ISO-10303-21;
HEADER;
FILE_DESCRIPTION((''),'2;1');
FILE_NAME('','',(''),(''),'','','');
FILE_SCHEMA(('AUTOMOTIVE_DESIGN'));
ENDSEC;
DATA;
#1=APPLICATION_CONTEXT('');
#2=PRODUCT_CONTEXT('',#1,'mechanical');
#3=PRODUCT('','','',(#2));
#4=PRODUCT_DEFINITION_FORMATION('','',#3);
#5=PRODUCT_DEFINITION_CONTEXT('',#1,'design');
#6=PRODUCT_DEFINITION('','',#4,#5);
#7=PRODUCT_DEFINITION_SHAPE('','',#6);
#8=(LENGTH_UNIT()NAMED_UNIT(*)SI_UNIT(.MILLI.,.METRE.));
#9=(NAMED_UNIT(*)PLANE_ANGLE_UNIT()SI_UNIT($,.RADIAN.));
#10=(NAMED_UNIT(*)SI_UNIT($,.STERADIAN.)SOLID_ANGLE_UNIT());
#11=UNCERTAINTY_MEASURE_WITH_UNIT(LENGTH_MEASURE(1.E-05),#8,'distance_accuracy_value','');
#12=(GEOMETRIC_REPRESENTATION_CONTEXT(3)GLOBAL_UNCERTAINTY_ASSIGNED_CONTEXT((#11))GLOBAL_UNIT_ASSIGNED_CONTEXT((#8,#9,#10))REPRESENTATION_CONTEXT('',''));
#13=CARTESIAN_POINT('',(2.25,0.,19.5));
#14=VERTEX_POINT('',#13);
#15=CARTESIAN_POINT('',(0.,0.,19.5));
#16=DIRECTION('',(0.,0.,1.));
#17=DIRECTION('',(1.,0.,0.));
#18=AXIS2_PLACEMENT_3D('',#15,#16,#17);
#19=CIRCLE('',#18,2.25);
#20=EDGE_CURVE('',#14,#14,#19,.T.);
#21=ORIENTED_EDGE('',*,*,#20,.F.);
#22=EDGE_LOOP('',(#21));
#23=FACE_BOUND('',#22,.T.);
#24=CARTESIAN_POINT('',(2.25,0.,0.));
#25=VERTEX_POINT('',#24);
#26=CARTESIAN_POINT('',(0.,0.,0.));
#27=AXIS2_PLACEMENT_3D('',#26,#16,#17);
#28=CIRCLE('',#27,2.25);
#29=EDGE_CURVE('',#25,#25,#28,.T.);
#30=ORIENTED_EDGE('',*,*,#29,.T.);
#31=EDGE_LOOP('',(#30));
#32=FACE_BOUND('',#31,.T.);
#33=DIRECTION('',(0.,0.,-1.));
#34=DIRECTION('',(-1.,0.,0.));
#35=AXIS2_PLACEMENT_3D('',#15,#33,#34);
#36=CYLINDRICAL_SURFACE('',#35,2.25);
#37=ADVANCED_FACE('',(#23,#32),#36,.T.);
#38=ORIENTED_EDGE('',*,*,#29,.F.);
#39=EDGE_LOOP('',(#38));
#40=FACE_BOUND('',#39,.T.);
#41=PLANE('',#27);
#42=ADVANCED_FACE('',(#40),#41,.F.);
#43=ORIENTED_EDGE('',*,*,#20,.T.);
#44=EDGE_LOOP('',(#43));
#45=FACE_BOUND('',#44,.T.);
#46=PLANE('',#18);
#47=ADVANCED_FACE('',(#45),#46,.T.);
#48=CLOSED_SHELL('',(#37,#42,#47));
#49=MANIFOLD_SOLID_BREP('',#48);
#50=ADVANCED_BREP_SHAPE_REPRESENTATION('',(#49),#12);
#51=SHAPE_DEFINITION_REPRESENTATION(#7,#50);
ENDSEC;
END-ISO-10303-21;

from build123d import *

# Parameters (mm, degrees)
SKETCH_1_R      = 2.25
EXTRUDE_1_DEPTH = 19.5


with BuildPart() as part:
    # Эскиз1 → Бобышка-Вытянуть1 (new body)
    with BuildSketch(Plane.XY):
        Circle(SKETCH_1_R)
    extrude(amount=EXTRUDE_1_DEPTH)


solid = part.part
